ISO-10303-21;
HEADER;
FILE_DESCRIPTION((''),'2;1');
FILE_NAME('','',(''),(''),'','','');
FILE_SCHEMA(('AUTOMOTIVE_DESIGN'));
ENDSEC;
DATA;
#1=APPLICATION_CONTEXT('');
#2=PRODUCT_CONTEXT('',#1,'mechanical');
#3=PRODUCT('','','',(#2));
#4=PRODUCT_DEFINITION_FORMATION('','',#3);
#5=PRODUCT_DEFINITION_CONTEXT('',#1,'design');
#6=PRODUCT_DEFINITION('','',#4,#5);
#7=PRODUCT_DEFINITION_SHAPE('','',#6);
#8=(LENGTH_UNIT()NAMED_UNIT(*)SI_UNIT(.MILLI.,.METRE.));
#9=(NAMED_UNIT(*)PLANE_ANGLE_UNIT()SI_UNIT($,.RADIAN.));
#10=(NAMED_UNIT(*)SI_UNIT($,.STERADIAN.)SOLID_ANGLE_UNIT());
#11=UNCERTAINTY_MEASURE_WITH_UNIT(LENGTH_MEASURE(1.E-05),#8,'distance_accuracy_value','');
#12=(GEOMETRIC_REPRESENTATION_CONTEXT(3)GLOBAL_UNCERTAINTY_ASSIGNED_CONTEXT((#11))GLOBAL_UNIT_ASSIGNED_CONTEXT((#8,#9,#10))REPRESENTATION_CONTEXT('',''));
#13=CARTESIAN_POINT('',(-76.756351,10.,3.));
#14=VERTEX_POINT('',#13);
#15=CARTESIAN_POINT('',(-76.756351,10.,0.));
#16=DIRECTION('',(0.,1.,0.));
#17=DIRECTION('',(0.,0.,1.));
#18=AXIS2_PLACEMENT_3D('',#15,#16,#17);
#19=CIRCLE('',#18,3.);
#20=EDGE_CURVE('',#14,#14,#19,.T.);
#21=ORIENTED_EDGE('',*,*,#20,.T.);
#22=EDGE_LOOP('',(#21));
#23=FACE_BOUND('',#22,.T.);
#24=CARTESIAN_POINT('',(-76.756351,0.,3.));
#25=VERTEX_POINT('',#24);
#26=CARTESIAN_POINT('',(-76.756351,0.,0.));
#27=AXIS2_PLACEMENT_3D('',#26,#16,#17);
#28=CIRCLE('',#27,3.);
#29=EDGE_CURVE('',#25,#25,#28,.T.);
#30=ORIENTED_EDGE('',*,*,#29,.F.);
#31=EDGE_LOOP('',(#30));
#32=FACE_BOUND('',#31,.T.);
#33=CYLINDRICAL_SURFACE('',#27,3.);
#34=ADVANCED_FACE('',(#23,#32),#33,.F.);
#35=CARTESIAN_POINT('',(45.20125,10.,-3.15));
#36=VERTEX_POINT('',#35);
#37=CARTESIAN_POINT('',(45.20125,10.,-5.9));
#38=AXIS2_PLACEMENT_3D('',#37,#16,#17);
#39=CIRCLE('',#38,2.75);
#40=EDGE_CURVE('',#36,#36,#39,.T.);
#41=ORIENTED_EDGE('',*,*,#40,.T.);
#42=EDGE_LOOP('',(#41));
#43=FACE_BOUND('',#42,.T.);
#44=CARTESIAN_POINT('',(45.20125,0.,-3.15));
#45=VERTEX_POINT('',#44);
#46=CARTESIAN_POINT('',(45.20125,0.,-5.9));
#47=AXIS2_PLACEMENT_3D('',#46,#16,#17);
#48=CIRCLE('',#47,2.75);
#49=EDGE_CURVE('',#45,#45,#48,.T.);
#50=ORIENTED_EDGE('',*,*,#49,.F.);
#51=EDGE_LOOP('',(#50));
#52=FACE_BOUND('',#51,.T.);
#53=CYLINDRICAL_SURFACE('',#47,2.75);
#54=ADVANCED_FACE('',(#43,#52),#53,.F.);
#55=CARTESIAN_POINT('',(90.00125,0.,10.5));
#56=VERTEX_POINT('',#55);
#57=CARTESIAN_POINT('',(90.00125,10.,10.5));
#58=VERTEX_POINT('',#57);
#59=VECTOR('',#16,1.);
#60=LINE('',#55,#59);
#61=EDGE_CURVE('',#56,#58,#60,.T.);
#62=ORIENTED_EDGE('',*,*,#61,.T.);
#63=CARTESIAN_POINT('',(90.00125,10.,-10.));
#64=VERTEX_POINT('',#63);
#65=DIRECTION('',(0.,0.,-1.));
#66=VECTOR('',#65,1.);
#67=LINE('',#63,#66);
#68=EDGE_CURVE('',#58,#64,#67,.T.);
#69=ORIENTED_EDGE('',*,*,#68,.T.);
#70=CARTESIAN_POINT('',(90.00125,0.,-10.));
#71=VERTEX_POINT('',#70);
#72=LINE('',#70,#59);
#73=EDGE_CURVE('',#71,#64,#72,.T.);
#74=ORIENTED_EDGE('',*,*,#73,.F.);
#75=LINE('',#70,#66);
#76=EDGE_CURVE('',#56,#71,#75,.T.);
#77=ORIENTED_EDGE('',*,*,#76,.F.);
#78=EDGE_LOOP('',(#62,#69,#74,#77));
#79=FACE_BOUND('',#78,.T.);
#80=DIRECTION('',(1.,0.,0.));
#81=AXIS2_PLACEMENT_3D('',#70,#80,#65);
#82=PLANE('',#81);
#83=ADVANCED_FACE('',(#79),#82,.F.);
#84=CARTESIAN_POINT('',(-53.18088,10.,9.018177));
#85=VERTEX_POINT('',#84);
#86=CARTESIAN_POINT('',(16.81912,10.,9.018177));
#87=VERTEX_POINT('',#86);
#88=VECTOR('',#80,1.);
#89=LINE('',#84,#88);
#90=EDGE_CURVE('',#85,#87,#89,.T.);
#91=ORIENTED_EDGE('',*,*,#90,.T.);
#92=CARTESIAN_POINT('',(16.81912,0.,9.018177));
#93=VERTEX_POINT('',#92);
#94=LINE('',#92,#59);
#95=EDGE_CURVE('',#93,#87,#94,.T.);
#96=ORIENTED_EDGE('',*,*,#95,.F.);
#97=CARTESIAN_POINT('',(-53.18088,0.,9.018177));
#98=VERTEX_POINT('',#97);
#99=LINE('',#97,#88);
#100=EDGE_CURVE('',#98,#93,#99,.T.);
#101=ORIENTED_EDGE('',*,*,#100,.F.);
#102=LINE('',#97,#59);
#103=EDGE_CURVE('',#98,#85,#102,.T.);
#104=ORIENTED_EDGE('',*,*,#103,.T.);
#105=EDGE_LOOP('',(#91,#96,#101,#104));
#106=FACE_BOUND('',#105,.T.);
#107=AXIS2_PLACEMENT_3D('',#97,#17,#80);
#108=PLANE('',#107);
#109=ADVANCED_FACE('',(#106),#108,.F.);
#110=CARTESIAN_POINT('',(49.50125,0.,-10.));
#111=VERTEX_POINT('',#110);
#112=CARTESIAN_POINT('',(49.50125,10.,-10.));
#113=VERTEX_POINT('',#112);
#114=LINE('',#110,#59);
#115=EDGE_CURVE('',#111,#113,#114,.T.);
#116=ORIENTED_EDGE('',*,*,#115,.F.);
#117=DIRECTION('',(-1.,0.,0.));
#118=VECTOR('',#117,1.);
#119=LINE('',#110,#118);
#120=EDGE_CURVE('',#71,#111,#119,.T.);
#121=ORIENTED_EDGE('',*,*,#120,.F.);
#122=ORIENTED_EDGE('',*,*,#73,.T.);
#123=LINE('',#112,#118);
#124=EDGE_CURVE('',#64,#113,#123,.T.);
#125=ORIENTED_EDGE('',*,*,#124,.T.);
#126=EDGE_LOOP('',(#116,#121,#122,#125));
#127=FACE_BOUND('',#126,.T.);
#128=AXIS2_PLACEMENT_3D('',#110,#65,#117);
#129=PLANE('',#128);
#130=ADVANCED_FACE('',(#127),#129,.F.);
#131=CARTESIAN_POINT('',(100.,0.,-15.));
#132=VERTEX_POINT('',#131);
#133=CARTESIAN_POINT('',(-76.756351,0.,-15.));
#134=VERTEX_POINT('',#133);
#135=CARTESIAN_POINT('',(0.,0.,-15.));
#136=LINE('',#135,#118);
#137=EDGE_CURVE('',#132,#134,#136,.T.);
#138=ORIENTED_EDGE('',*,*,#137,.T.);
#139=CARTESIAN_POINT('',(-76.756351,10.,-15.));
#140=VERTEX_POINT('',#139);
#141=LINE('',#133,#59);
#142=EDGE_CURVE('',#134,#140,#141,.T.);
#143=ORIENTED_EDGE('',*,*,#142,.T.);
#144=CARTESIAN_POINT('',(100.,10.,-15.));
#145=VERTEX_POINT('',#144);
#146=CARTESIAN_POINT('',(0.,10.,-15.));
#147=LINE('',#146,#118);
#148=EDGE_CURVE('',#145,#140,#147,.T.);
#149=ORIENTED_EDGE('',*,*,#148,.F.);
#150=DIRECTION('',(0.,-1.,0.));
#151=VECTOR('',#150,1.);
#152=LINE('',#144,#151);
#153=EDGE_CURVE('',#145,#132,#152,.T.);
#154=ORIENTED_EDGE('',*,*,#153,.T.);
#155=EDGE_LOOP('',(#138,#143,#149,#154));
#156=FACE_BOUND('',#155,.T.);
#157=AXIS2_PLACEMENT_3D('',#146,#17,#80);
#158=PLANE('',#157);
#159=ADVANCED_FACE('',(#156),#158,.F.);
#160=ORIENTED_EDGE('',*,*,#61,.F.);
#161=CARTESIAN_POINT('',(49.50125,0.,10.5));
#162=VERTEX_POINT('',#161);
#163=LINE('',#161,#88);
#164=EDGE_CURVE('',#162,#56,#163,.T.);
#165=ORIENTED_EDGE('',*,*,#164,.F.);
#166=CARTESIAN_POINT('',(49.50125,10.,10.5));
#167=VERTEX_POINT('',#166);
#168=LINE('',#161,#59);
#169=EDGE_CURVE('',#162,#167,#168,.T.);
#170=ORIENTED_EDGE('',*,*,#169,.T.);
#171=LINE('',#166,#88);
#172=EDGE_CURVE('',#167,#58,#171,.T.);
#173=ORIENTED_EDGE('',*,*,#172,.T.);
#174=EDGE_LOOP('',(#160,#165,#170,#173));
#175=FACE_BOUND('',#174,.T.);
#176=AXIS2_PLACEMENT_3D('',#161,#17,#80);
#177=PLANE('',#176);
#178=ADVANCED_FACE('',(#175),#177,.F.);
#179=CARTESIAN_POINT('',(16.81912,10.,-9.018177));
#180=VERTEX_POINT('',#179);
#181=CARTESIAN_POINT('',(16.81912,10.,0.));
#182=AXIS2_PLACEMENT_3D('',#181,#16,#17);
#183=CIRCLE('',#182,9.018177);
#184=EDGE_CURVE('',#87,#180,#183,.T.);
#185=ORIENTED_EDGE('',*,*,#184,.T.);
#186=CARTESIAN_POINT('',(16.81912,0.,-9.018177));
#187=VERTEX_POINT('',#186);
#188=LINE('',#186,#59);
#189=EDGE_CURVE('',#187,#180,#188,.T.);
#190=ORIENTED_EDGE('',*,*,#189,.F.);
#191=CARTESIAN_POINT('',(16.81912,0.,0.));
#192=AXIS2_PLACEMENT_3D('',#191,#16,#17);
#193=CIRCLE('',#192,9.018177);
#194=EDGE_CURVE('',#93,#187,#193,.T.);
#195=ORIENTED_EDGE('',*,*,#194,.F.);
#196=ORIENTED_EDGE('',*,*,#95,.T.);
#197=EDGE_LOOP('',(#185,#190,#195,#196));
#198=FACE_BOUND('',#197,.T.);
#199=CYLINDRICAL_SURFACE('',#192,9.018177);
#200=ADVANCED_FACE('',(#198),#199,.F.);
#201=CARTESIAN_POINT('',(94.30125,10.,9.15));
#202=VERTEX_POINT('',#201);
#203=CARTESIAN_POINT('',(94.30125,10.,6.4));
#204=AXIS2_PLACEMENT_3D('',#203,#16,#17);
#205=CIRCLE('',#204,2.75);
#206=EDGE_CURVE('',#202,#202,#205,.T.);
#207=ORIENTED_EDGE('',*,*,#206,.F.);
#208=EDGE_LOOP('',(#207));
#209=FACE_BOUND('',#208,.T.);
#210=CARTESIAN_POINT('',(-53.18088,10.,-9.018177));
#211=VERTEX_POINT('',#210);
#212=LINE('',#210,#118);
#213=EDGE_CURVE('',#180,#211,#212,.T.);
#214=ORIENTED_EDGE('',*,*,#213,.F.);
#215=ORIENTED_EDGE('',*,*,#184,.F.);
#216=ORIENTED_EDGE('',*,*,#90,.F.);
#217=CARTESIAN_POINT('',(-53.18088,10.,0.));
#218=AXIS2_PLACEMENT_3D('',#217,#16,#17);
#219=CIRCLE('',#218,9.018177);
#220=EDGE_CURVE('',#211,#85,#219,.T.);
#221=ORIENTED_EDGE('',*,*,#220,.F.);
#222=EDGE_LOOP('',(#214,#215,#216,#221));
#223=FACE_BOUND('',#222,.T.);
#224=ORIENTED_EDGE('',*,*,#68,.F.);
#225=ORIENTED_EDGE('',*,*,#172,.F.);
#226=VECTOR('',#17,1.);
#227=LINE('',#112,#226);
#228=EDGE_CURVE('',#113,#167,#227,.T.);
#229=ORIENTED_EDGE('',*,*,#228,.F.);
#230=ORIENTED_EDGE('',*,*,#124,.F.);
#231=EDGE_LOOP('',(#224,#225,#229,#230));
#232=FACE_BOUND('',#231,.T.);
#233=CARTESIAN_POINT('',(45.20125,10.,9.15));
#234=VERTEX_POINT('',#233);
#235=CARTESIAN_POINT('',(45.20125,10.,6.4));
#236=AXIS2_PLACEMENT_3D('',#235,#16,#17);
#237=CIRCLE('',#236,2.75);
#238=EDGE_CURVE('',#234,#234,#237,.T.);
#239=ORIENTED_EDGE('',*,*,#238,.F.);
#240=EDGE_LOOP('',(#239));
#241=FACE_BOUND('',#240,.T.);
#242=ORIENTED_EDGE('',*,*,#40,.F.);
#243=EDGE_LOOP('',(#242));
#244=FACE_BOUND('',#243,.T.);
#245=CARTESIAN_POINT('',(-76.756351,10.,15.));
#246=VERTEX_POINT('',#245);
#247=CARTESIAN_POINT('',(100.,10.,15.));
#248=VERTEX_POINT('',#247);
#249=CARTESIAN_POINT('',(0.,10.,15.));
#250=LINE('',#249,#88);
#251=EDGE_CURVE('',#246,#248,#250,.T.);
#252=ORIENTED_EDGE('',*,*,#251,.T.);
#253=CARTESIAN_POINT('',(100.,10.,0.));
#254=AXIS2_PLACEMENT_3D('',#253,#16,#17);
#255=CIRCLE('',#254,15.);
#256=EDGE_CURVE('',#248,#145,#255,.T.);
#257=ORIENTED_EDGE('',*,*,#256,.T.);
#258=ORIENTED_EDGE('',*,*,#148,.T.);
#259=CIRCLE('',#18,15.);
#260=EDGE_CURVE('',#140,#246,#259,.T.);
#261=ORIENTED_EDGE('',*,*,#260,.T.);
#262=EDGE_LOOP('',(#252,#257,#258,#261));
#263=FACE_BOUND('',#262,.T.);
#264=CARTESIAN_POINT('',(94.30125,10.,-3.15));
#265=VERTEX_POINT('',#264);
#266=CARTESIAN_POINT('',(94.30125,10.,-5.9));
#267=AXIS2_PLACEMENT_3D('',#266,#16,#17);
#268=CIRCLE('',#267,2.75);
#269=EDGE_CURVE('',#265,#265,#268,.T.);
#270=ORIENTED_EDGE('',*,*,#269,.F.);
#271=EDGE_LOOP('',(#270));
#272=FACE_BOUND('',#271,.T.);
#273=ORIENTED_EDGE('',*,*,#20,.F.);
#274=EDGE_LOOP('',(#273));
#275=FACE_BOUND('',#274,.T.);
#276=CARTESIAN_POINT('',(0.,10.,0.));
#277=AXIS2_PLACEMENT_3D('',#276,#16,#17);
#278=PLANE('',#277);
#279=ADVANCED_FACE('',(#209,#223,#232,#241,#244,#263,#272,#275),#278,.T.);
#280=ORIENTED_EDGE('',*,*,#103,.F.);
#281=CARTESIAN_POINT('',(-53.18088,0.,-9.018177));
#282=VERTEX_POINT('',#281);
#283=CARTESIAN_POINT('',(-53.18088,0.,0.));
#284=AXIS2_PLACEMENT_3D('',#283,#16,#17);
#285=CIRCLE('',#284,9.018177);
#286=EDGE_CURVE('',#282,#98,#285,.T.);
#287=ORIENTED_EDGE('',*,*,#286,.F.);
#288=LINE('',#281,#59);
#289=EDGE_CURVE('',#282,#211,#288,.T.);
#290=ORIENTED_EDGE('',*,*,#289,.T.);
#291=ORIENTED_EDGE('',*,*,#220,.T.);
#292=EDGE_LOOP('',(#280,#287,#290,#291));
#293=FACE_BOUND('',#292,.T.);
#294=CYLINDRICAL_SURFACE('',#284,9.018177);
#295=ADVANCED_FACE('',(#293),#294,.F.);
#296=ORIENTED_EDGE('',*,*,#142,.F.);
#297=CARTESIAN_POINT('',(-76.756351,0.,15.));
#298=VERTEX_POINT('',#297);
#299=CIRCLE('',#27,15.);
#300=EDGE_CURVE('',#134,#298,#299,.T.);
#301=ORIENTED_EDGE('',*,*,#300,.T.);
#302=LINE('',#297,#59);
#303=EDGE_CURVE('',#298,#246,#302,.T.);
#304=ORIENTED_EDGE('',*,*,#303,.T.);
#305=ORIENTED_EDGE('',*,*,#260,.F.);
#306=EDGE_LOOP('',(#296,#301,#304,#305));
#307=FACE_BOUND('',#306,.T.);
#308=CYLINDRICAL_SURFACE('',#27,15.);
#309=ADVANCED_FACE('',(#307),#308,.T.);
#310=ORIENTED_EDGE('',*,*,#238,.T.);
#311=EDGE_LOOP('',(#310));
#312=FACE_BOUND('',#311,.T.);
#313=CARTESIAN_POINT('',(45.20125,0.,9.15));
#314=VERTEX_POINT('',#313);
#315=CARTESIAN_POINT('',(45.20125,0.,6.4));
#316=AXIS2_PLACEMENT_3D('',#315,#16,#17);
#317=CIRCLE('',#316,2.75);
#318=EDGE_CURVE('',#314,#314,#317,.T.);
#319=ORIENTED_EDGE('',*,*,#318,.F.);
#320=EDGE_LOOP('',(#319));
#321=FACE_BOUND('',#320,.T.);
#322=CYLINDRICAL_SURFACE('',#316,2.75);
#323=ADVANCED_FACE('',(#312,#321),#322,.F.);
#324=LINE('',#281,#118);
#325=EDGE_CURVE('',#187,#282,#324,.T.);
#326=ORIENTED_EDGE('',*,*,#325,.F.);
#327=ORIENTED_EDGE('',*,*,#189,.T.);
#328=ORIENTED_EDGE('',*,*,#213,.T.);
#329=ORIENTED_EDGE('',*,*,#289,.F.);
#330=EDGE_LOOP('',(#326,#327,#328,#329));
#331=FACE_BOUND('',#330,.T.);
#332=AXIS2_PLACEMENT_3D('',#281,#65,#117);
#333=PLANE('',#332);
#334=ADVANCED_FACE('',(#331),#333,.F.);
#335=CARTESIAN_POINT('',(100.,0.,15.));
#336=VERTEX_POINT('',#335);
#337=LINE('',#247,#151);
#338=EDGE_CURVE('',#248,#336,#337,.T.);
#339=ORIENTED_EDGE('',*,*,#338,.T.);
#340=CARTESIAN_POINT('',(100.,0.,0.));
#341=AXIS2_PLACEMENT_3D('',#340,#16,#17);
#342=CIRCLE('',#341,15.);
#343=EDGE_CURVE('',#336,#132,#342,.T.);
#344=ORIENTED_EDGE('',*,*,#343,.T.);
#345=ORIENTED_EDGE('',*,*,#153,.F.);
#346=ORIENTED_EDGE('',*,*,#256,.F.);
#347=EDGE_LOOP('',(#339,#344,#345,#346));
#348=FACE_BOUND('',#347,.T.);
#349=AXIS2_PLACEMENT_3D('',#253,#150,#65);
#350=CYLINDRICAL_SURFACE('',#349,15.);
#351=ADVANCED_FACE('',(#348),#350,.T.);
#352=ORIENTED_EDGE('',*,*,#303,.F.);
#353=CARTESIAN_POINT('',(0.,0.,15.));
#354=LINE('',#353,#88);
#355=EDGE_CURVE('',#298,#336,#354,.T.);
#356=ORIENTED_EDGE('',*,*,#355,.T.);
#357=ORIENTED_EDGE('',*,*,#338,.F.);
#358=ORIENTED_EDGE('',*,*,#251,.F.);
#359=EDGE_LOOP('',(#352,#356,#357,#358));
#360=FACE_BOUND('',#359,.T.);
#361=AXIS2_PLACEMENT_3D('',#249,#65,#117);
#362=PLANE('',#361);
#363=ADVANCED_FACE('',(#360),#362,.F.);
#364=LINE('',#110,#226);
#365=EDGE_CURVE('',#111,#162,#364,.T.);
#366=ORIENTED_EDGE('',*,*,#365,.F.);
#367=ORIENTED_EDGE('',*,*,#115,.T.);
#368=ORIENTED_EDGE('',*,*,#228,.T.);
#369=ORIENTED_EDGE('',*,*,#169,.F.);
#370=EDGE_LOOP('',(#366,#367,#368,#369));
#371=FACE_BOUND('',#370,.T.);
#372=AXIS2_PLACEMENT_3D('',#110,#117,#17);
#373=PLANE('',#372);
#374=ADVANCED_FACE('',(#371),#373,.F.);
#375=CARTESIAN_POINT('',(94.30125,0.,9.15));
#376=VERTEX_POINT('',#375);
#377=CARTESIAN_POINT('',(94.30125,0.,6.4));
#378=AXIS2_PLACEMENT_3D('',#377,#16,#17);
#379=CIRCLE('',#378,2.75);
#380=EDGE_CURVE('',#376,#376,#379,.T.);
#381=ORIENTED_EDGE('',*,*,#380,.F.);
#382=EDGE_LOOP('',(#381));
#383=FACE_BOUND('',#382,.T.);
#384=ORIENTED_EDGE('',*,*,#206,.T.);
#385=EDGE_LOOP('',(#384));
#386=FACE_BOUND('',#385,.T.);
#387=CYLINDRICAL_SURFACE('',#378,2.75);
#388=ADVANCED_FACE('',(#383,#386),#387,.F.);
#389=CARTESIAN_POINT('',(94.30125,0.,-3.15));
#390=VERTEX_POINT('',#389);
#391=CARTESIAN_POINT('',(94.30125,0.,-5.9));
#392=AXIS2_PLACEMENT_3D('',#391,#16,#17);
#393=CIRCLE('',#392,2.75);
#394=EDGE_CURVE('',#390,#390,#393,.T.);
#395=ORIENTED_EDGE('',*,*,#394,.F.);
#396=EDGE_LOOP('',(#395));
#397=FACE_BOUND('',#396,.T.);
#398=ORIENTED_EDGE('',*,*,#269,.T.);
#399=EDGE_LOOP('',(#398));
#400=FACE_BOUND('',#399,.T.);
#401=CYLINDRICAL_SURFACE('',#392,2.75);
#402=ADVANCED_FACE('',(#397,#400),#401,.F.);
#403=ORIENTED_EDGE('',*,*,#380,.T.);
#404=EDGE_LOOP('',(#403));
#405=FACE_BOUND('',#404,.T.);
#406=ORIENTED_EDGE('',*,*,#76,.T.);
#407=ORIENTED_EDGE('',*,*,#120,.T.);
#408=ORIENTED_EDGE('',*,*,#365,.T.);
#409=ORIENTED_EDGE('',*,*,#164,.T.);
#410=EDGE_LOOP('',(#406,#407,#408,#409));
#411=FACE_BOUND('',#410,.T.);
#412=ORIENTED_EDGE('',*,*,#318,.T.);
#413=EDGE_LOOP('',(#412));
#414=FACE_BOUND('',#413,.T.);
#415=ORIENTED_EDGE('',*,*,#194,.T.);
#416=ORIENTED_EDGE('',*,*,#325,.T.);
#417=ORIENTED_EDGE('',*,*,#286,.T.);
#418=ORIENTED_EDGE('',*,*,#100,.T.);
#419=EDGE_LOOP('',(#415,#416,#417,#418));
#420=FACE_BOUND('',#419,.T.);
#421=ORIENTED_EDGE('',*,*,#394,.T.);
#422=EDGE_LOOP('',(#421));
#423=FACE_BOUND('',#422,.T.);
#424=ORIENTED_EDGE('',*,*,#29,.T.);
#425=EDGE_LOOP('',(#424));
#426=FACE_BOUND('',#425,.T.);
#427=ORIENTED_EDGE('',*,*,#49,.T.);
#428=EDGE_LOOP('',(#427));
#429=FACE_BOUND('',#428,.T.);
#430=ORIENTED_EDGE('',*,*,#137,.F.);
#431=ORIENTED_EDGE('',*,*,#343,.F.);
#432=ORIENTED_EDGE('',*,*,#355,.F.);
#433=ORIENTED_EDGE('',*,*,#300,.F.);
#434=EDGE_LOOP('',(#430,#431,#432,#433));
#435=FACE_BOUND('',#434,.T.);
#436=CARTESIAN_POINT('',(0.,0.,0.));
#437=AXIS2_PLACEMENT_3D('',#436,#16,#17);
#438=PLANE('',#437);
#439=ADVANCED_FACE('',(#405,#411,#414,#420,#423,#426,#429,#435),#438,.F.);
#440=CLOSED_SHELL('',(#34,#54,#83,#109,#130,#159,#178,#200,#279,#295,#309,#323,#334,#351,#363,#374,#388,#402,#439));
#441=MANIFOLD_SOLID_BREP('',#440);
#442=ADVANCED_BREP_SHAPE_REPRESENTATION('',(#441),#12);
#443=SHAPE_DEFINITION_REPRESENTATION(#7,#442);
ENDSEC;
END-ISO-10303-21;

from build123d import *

# Parameters (mm, degrees)
SKETCH2_R           = 1.45
BOSS_EXTRUDE3_DEPTH = 10
SKETCH10_W          = 7.047144721
SKETCH10_H          = 19.860135122
BOSS_EXTRUDE7_DEPTH = 10
SKETCH12_R          = 1.45
BOSS_EXTRUDE8_DEPTH = 10
SKETCH13_R          = 2.925
CUT_EXTRUDE8_DEPTH  = 2
CUT_EXTRUDE9_DEPTH  = 10
SKETCH16_R          = 3
CUT_EXTRUDE10_DEPTH = 10
SKETCH6_R           = 2.75
SKETCH6_W           = 40.5
SKETCH6_H           = 20.5
CUT_EXTRUDE11_DEPTH = 10
SKETCH17_R          = 2.75
CUT_EXTRUDE12_DEPTH = 10


with BuildPart() as part:
    # Sketch2 → Boss-Extrude3 (new body)
    with BuildSketch(Plane(origin=(0, 0, 0), x_dir=(1, 0, 0), z_dir=(0, 1, 0))):
        with BuildLine():
            Line((0, 15), (100, 15))
            ThreePointArc((100, 15), (115, 0), (100, -15))
            Line((100, -15), (0, -15))
            ThreePointArc((0, -15), (-15, 0), (0, 15))
        make_face()
        with Locations(Location((0, 0, 0), (0, 0, 270))):
            Circle(SKETCH2_R, mode=Mode.SUBTRACT)
    extrude(amount=BOSS_EXTRUDE3_DEPTH)

    # Sketch10 → Boss-Extrude7 (add)
    with BuildSketch(Plane(origin=(0, 10, 0), x_dir=(1, 0, 0), z_dir=(0, 1, 0))):
        with Locations((94.781401452, 0.828180391)):
            Rectangle(SKETCH10_W, SKETCH10_H)
    extrude(amount=-BOSS_EXTRUDE7_DEPTH)

    # Sketch12 → Boss-Extrude8 (add)
    with BuildSketch(Plane(origin=(0, 10, 0), x_dir=(1, 0, 0), z_dir=(0, 1, 0))):
        with BuildLine():
            Line((-76.756351439, 15), (12.176052336, 15))
            ThreePointArc((12.176052336, 15), (27.176052336, 0), (12.176052336, -15))
            Line((12.176052336, -15), (-76.756351439, -15))
            ThreePointArc((-76.756351439, -15), (-91.756351439, 0), (-76.756351439, 15))
        make_face()
        with Locations(Location((-76.756351439, 0, 0), (0, 0, 270))):
            Circle(SKETCH12_R, mode=Mode.SUBTRACT)
    extrude(amount=-BOSS_EXTRUDE8_DEPTH)

    # Sketch13 → Cut-Extrude8 (cut)
    with BuildSketch(Plane(origin=(0, 10, 0), x_dir=(1, 0, 0), z_dir=(0, 1, 0))):
        with Locations(Location((-76.756351439, 0, 0), (0, 0, 270))):
            Circle(SKETCH13_R)
    extrude(amount=-CUT_EXTRUDE8_DEPTH, mode=Mode.SUBTRACT)

    # Sketch15 → Cut-Extrude9 (cut)
    with BuildSketch(Plane(origin=(0, 10, 0), x_dir=(1, 0, 0), z_dir=(0, 1, 0))):
        with BuildLine():
            Line((-53.180879761, 9.018176556), (16.819120239, 9.018176556))
            ThreePointArc((16.819120239, 9.018176556), (25.837296795, 0), (16.819120239, -9.018176556))
            Line((16.819120239, -9.018176556), (-53.180879761, -9.018176556))
            ThreePointArc((-53.180879761, -9.018176556), (-62.199056317, 0), (-53.180879761, 9.018176556))
        make_face()
    extrude(amount=-CUT_EXTRUDE9_DEPTH, mode=Mode.SUBTRACT)

    # Sketch16 → Cut-Extrude10 (cut)
    with BuildSketch(Plane(origin=(0, 10, 0), x_dir=(1, 0, 0), z_dir=(0, 1, 0))):
        with Locations(Location((-76.756351439, 0, 0), (0, 0, 270))):
            Circle(SKETCH16_R)
    extrude(amount=-CUT_EXTRUDE10_DEPTH, mode=Mode.SUBTRACT)

    # Sketch6 → Cut-Extrude11 (cut)
    with BuildSketch(Plane(origin=(0, 10, 0), x_dir=(1, 0, 0), z_dir=(0, 1, 0))):
        with Locations(Location((94.301250031, 5.9, 0), (0, 0, 270))):
            Circle(SKETCH6_R)
        with Locations(Location((94.301250031, -6.4, 0), (0, 0, 270))):
            Circle(SKETCH6_R)
        with Locations((69.751250031, -0.25)):
            Rectangle(SKETCH6_W, SKETCH6_H)
    extrude(amount=-CUT_EXTRUDE11_DEPTH, mode=Mode.SUBTRACT)

    # Sketch17 → Cut-Extrude12 (cut)
    with BuildSketch(Plane(origin=(0, 10, 0), x_dir=(1, 0, 0), z_dir=(0, 1, 0))):
        with Locations(Location((45.201250031, 5.9, 0), (0, 0, 270))):
            Circle(SKETCH17_R)
        with Locations(Location((45.201250031, -6.4, 0), (0, 0, 270))):
            Circle(SKETCH17_R)
    extrude(amount=-CUT_EXTRUDE12_DEPTH, mode=Mode.SUBTRACT)


solid = part.part
